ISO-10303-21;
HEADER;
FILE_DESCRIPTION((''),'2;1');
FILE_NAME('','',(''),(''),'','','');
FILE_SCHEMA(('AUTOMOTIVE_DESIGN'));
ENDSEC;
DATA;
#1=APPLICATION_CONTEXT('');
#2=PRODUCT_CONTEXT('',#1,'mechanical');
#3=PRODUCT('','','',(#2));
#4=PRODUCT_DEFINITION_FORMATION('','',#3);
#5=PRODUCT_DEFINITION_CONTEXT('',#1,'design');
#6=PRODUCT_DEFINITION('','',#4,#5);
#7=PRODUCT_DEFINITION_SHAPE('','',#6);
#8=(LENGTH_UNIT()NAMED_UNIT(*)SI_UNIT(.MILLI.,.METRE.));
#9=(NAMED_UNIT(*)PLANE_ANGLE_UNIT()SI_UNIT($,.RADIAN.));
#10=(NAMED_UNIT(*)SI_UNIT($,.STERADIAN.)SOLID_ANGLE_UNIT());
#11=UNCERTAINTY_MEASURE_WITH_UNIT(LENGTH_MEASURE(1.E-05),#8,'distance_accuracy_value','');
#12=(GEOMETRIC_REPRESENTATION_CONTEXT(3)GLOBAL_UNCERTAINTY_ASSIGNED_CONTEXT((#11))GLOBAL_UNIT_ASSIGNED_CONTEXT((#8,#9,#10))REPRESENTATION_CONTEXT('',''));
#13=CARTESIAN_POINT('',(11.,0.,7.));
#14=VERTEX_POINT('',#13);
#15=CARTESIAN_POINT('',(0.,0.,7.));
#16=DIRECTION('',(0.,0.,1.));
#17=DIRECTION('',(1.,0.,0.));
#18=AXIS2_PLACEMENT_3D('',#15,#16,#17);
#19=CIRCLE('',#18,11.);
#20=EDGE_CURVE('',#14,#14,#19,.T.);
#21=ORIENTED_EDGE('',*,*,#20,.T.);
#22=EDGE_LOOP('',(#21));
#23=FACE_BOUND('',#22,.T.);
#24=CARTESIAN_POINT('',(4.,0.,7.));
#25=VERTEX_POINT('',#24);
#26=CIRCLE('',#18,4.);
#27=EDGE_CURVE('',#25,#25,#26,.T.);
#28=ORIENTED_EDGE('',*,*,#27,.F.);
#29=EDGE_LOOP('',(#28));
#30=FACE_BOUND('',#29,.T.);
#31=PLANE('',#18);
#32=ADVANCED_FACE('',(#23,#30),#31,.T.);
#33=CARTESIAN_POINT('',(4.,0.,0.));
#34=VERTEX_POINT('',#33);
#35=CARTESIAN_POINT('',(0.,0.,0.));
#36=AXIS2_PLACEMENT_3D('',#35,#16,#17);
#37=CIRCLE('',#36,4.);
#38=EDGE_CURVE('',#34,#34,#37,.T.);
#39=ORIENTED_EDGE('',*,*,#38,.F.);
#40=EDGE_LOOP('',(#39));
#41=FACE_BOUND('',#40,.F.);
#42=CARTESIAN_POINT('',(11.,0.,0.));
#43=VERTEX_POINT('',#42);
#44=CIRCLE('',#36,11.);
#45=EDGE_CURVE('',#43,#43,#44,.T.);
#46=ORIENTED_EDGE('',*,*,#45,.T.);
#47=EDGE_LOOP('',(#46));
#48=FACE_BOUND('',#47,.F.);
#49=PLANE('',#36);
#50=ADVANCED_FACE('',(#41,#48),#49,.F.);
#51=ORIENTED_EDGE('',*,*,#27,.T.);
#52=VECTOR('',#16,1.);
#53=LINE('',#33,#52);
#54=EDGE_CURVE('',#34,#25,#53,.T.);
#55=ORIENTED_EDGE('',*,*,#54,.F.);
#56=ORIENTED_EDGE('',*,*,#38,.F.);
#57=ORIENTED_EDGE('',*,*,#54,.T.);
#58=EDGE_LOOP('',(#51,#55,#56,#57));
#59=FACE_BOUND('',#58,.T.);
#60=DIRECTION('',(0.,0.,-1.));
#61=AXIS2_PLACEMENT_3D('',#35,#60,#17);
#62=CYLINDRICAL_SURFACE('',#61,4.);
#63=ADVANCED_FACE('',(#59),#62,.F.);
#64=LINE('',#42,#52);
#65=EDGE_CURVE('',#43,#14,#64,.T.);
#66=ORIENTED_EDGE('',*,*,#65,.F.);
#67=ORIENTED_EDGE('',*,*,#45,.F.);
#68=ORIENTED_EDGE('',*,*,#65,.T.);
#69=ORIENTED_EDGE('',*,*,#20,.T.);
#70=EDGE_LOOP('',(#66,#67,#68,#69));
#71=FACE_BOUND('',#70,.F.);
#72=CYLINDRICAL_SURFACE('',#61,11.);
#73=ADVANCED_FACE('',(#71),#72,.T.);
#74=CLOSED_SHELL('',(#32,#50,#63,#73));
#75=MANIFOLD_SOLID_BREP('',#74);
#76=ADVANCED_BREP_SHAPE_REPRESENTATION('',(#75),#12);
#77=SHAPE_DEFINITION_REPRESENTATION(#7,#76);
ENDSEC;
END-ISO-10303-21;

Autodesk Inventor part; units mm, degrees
ref_plane "YZ Plane" through (0, 0, 0) normal (1, 0, 0) x (0, 1, 0)
ref_plane "XZ Plane" through (0, 0, 0) normal (0, 1, 0) x (-1, 0, 0)
ref_plane "XY Plane" through (0, 0, 0) normal (0, 0, 1) x (1, 0, 0)
sketch "Skizze1" plane through (0, 0, 0) normal (0, 0, 1) x (1, 0, 0)
  circle A0 centre (0, 0) radius 11
  circle A1 centre (0, 0) radius 4
  dimension "d0" = 22
  dimension "d1" = 8
extrude "Extrusion1" add sketch "Skizze1" along normal blind 7
properties part number "Lager"
